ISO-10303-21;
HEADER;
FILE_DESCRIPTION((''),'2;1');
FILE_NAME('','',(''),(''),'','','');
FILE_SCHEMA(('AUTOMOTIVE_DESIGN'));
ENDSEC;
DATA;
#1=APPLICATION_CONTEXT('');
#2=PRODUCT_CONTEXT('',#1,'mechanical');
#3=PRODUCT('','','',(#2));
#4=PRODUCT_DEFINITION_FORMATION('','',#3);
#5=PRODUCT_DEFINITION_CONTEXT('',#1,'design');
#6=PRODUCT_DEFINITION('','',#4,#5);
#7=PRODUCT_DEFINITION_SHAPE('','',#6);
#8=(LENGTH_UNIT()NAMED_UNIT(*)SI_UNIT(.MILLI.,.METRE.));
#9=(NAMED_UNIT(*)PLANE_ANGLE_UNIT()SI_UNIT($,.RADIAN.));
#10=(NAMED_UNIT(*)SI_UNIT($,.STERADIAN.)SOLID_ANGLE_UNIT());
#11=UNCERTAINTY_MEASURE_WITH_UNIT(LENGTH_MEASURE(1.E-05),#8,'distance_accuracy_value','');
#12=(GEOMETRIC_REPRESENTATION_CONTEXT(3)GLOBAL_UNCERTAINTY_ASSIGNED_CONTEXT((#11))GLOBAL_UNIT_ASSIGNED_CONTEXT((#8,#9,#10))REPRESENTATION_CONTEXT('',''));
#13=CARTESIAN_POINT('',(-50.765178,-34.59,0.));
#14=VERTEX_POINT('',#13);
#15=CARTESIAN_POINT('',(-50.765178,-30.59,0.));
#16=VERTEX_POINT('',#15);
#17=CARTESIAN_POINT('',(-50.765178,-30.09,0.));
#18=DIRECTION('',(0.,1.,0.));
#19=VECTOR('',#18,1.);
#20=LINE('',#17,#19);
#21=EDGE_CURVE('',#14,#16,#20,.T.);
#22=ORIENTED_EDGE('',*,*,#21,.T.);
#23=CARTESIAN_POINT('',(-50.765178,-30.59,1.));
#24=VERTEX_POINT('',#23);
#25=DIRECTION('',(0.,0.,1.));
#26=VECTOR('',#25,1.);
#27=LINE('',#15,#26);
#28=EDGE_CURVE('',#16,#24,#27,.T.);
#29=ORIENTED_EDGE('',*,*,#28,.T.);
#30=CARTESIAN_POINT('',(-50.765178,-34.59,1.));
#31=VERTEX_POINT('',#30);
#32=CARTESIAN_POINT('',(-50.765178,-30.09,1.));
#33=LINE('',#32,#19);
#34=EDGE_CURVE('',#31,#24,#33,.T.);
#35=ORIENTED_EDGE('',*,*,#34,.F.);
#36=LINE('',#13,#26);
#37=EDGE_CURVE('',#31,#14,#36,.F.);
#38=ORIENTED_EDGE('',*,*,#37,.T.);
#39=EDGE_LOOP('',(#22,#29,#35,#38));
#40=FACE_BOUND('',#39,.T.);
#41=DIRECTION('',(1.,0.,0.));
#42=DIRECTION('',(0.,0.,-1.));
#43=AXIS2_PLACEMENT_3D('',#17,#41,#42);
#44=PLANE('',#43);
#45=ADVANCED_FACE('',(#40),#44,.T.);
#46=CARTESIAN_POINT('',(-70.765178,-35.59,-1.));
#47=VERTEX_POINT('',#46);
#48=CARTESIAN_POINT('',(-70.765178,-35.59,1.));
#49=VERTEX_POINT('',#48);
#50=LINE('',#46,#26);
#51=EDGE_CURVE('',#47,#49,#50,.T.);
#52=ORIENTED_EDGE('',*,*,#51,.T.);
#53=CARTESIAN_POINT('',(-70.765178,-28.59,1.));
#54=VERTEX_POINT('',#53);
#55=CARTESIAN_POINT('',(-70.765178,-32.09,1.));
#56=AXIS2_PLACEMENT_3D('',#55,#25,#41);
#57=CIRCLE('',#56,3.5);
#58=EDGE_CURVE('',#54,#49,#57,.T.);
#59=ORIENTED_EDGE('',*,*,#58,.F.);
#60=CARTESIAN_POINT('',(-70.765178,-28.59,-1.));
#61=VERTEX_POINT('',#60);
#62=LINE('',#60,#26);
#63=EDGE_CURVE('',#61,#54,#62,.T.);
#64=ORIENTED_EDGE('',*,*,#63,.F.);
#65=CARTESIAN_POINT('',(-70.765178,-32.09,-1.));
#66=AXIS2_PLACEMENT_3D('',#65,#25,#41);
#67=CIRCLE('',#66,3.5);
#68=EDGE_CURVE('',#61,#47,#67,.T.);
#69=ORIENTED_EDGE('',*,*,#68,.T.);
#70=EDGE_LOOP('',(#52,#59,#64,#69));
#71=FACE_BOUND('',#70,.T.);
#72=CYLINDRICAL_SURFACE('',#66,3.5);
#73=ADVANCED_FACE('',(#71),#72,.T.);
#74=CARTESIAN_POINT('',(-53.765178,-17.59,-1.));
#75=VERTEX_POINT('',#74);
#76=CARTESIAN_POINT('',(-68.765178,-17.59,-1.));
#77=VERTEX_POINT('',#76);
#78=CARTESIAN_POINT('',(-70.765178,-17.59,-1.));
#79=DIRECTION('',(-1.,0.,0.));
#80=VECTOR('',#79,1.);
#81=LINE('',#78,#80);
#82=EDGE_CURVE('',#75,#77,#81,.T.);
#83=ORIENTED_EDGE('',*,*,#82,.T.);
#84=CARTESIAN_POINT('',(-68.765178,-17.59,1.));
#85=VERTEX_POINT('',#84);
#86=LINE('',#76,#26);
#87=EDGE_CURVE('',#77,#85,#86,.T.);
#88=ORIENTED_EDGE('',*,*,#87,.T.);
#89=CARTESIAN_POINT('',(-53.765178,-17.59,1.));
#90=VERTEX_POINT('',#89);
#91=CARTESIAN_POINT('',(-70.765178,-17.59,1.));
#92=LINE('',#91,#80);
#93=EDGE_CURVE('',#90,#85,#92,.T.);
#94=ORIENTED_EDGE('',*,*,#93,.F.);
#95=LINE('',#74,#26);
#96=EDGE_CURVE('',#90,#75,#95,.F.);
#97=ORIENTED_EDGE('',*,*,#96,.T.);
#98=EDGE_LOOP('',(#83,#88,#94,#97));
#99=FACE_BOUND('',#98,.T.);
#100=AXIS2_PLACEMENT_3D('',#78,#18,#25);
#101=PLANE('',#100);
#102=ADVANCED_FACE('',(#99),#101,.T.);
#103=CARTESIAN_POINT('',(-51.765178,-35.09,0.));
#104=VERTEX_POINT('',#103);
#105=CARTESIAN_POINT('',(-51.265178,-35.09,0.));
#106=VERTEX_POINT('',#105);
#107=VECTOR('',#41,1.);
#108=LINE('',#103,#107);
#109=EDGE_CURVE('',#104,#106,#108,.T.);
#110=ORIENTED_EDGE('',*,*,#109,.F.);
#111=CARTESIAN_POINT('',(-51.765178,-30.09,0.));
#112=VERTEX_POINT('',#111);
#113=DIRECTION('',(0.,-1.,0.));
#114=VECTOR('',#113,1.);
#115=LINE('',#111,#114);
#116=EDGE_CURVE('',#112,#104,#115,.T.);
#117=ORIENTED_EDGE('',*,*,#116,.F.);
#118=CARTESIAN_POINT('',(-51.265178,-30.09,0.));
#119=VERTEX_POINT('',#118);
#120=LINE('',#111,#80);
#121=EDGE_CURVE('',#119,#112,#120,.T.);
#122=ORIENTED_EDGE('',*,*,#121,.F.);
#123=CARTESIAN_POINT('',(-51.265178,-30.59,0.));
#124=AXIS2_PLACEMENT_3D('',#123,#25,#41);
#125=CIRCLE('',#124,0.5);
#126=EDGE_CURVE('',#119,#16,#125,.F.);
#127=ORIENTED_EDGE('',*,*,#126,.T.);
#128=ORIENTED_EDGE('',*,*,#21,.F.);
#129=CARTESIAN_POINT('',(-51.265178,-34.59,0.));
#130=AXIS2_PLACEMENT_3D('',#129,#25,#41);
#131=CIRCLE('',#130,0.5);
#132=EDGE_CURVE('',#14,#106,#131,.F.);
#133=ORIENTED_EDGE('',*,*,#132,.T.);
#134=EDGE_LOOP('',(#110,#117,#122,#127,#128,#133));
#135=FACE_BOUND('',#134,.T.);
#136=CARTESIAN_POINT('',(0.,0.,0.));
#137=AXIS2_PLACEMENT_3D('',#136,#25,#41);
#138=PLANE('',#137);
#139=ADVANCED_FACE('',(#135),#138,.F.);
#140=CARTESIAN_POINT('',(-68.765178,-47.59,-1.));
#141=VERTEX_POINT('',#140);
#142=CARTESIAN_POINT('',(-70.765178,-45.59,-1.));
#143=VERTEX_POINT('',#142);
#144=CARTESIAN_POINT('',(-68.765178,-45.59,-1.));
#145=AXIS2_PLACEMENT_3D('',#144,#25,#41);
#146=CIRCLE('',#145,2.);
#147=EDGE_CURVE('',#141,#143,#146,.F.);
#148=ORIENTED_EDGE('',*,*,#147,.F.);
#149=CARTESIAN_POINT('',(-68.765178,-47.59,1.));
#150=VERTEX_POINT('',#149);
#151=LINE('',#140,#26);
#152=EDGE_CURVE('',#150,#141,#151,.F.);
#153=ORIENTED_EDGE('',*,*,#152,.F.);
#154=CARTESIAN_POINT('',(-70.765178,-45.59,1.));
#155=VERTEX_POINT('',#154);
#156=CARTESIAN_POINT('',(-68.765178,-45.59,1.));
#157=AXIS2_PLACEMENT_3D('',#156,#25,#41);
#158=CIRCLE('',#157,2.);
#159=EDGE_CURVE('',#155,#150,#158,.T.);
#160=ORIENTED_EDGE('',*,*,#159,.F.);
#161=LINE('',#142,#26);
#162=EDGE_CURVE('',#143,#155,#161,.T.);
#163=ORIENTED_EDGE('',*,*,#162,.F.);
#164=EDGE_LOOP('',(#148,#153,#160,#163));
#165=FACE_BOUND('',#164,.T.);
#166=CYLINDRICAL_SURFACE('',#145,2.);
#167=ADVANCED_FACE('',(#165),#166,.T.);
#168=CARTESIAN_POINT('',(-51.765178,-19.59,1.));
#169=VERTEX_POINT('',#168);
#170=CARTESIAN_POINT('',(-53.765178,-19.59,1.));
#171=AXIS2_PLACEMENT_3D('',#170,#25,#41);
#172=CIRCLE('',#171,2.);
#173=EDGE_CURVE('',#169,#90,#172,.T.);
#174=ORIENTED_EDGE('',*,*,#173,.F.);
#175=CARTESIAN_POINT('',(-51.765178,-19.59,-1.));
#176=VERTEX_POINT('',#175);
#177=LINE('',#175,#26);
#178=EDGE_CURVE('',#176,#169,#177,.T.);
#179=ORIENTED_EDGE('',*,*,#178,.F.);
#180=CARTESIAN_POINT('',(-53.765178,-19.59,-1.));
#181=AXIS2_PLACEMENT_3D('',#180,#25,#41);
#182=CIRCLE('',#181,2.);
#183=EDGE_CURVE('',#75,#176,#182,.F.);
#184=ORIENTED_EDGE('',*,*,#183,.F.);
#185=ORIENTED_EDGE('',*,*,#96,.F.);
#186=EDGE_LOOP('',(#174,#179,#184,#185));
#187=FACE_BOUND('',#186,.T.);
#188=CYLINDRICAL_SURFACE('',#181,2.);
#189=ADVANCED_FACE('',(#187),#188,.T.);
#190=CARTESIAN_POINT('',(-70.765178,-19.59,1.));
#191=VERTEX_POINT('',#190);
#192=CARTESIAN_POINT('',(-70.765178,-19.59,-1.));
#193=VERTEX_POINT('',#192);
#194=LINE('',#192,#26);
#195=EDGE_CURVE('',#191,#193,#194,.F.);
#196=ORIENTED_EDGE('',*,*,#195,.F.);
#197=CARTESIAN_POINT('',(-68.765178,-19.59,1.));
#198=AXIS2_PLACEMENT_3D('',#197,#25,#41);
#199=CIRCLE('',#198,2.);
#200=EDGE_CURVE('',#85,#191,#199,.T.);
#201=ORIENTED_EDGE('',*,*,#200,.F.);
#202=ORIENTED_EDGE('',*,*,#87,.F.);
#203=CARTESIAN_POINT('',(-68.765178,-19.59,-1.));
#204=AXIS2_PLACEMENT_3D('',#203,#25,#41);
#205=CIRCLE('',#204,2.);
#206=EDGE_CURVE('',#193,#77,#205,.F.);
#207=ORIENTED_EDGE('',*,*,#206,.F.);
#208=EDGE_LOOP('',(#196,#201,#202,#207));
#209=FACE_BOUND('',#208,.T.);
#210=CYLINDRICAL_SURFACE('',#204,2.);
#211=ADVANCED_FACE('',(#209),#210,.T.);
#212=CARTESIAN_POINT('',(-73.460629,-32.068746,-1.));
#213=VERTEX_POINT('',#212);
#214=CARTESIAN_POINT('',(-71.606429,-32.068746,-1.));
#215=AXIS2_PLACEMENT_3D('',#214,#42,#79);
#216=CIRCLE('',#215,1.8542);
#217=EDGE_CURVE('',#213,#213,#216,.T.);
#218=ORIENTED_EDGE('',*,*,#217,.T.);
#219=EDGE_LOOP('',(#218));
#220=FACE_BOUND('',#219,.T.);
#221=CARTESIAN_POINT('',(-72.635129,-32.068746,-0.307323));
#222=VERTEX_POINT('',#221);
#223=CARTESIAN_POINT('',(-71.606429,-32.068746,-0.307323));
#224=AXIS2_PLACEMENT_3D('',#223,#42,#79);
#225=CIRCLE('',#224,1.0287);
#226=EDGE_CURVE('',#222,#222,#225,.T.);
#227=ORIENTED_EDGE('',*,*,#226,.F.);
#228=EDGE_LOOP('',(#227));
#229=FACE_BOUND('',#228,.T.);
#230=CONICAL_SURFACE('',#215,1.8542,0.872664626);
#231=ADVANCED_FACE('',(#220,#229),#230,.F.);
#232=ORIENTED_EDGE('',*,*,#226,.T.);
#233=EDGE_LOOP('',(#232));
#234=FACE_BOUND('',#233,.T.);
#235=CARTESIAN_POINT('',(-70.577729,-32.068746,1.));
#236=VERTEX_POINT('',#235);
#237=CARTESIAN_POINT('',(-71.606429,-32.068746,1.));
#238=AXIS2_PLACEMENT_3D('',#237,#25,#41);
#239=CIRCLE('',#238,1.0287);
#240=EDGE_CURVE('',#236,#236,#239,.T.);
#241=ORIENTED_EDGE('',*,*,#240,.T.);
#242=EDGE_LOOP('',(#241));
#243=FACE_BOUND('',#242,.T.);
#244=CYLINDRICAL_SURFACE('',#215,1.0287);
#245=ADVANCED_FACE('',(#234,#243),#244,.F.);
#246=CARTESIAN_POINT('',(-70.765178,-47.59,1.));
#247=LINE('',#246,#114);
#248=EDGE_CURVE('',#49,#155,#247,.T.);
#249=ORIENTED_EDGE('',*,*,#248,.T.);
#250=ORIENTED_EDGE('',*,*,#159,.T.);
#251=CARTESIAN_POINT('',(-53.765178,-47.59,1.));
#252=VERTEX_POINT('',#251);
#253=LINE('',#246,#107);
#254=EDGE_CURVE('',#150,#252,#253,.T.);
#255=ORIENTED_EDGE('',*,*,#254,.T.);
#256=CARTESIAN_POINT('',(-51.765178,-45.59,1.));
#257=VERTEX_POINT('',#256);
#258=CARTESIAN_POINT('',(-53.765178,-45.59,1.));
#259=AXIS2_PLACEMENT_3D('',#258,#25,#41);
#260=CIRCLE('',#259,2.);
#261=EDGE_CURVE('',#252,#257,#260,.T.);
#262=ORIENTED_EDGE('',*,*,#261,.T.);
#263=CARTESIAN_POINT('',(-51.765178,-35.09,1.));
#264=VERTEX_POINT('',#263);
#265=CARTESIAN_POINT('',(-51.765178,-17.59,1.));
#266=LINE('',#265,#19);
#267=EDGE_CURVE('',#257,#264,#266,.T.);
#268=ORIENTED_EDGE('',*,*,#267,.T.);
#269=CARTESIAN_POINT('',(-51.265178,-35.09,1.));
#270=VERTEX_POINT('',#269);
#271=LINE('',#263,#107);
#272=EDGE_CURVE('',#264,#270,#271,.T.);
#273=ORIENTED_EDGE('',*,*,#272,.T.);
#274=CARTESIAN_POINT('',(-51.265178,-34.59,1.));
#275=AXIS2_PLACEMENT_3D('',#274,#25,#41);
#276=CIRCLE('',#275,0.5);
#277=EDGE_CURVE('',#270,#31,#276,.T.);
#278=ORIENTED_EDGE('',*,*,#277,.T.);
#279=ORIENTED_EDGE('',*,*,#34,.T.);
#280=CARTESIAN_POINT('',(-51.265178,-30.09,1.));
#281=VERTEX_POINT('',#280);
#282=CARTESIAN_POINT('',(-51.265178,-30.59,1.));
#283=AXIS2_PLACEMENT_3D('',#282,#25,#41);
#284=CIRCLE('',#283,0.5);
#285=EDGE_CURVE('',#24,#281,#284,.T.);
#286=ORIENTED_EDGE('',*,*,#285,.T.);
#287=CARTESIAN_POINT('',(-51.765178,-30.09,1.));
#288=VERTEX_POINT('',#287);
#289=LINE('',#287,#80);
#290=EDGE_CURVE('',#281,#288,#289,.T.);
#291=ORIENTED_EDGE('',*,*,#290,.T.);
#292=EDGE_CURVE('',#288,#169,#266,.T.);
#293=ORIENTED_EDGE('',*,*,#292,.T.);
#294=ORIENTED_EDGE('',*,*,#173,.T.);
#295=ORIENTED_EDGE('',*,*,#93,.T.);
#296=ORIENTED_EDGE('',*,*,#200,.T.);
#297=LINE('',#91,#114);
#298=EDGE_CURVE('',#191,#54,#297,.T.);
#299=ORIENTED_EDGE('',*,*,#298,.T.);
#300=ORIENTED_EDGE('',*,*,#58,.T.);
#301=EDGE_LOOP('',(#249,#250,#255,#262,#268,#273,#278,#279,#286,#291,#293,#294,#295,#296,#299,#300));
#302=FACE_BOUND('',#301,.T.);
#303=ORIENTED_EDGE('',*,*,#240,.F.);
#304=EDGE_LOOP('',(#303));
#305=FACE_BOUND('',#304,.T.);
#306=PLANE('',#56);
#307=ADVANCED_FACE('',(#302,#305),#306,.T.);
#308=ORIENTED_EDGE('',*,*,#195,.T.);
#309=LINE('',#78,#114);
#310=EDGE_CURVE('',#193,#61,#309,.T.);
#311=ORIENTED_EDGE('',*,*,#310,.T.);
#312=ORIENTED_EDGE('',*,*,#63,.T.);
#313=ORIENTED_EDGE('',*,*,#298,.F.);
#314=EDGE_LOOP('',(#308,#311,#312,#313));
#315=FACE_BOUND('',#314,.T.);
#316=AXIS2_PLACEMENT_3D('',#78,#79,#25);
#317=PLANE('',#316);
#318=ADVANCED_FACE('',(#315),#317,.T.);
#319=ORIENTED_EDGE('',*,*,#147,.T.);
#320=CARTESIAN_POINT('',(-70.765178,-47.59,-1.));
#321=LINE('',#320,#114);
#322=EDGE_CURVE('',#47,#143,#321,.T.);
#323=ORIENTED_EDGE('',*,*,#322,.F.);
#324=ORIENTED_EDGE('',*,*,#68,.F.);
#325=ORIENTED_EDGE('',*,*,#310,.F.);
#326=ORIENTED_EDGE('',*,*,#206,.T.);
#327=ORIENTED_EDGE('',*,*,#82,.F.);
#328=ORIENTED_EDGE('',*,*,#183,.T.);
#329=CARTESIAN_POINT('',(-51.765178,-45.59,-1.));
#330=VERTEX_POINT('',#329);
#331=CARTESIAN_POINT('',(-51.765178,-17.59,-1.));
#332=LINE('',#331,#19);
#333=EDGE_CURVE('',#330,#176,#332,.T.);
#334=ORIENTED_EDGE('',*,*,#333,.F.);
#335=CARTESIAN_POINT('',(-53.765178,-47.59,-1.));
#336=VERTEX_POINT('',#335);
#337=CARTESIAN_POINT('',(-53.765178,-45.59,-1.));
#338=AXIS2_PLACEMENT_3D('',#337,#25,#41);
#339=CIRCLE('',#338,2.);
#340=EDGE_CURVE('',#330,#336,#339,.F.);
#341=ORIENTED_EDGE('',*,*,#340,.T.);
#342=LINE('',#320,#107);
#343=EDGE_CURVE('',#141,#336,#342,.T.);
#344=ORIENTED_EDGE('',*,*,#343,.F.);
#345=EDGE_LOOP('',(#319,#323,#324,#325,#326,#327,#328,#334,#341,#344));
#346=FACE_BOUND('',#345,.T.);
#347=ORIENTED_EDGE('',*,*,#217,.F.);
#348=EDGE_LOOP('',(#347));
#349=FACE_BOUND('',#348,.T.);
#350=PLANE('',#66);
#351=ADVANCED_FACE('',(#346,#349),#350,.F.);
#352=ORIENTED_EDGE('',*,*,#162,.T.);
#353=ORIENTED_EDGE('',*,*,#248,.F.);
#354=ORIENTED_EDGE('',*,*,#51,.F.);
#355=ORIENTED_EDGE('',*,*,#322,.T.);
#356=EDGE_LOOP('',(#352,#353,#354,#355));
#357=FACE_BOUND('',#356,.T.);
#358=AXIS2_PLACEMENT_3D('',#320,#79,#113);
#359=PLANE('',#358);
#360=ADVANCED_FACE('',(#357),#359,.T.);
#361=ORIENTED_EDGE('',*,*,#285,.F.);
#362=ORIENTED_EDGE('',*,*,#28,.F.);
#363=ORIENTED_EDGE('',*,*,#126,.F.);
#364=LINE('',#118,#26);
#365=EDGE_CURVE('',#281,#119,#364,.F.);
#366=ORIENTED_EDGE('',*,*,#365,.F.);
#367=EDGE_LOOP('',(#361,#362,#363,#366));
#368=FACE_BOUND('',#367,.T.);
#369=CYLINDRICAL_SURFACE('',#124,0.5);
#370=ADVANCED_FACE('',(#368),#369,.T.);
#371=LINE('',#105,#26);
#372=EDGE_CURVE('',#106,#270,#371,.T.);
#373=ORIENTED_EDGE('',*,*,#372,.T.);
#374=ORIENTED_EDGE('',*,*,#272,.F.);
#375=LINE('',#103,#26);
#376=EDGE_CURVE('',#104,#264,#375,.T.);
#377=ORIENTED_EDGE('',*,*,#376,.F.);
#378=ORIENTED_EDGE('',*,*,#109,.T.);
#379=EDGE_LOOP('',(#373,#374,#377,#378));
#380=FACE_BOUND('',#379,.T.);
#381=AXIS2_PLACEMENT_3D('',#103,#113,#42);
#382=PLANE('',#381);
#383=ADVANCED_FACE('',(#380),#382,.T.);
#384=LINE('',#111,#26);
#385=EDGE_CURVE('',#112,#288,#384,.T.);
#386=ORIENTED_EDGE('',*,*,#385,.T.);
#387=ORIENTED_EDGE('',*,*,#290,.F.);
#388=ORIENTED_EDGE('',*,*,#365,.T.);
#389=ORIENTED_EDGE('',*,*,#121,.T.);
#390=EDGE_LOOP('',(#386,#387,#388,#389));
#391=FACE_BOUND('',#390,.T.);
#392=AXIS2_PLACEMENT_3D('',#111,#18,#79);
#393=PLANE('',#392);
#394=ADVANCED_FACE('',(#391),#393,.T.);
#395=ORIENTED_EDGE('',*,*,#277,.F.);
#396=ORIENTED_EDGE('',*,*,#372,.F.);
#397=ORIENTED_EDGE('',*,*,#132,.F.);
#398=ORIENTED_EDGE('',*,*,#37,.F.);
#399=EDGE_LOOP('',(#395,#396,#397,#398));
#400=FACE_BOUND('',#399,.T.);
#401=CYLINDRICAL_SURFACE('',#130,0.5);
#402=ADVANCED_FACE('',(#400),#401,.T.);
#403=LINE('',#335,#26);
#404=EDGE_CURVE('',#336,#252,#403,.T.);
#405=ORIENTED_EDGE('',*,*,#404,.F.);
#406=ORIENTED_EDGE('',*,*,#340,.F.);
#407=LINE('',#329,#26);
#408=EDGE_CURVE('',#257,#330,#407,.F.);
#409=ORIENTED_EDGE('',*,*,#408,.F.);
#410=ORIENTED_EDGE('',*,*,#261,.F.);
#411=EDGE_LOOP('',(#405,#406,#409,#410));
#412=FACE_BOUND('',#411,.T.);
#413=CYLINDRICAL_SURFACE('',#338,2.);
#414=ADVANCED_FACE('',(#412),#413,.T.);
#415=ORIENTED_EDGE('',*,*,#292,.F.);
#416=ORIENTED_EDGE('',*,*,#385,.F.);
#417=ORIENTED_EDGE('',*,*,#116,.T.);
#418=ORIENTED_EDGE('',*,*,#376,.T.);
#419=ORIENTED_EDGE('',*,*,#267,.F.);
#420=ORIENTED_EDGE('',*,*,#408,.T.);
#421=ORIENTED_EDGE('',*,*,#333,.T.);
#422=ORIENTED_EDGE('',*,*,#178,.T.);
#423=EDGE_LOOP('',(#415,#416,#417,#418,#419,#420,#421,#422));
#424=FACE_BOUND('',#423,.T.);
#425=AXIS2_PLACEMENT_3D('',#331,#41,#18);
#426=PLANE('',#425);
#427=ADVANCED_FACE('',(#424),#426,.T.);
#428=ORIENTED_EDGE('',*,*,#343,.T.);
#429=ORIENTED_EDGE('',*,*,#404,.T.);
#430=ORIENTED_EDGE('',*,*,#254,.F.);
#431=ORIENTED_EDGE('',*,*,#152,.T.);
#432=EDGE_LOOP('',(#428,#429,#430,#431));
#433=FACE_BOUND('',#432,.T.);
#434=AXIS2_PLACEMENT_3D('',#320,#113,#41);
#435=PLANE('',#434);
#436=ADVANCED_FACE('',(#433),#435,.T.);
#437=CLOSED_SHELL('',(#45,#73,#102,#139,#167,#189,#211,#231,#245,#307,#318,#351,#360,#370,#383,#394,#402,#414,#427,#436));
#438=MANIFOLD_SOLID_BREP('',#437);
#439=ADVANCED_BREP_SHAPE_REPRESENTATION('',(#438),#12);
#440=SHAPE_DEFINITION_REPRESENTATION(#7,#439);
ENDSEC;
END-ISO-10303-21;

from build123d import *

# Parameters (mm, degrees)
BOSS_EXTRUDE1_DEPTH                               = 1
BOSS_EXTRUDE1_DEPTH_BACK                          = 1
SKETCH2_W                                         = 1
SKETCH2_H                                         = 5
BOSS_EXTRUDE3_DEPTH                               = 1
FILLET1_R                                         = 2
FILLET2_R                                         = 0.5
CSK_FOR_1_FLAT_HEAD_MACHINE_SCREW_100_D           = 2.0574
CSK_FOR_1_FLAT_HEAD_MACHINE_SCREW_100_DEPTH       = 5.381894681
CSK_FOR_1_FLAT_HEAD_MACHINE_SCREW_100_CSINK_D     = 3.7084
CSK_FOR_1_FLAT_HEAD_MACHINE_SCREW_100_CSINK_ANGLE = 100
CSK_FOR_1_FLAT_HEAD_MACHINE_SCREW_100_TIP         = 0.618105319


with BuildPart() as part:
    # Sketch1 → Boss-Extrude1 (new, two sides: drawn at the far end of the back side and taken through both)
    with BuildSketch(Plane.XY.offset(-BOSS_EXTRUDE1_DEPTH_BACK)):
        with BuildLine():
            Line((-70.765177629, -17.59), (-51.765177629, -17.59))
            Line((-51.765177629, -17.59), (-51.765177629, -47.59))
            Line((-51.765177629, -47.59), (-70.765177629, -47.59))
            Line((-70.765177629, -47.59), (-70.765177629, -35.59))
            ThreePointArc((-70.765177629, -35.59), (-74.265177629, -32.09), (-70.765177629, -28.59))
            Line((-70.765177629, -28.59), (-70.765177629, -17.59))
        make_face()
    extrude(amount=BOSS_EXTRUDE1_DEPTH + BOSS_EXTRUDE1_DEPTH_BACK)

    # Sketch2 → Boss-Extrude3 (add)
    with BuildSketch(Plane.XY.offset(1)):
        with Locations((-51.265177629, -32.59)):
            Rectangle(SKETCH2_W, SKETCH2_H)
    extrude(amount=-BOSS_EXTRUDE3_DEPTH)

    # Fillet1
    fillet1_edges = [part.edges().sort_by_distance(p)[0] for p in [
        (-70.765177629, -17.59, 0),
        (-51.765177629, -17.59, 0),
        (-51.765177629, -47.59, 0),
        (-70.765177629, -47.59, 0),
    ]]
    fillet(fillet1_edges, radius=FILLET1_R)

    # Fillet2
    fillet2_edges = [part.edges().sort_by_distance(p)[0] for p in [
        (-50.765177629, -30.09, 0.5),
        (-50.765177629, -35.09, 0.5),
    ]]
    fillet(fillet2_edges, radius=FILLET2_R)

    # CSK for #1 Flat Head Machine Screw (100)1
    with Locations(Plane(origin=(-71.606429364, -32.068746038, -1), x_dir=(-1, 0, 0), z_dir=(0, 0, -1))):
        with Locations((0, 0)):
            CounterSinkHole(CSK_FOR_1_FLAT_HEAD_MACHINE_SCREW_100_D / 2, CSK_FOR_1_FLAT_HEAD_MACHINE_SCREW_100_CSINK_D / 2, depth=CSK_FOR_1_FLAT_HEAD_MACHINE_SCREW_100_DEPTH, counter_sink_angle=CSK_FOR_1_FLAT_HEAD_MACHINE_SCREW_100_CSINK_ANGLE)
            with Locations((0, 0, -(CSK_FOR_1_FLAT_HEAD_MACHINE_SCREW_100_DEPTH + CSK_FOR_1_FLAT_HEAD_MACHINE_SCREW_100_TIP / 2))):  # 118° drill point
                Cone(0, CSK_FOR_1_FLAT_HEAD_MACHINE_SCREW_100_D / 2, CSK_FOR_1_FLAT_HEAD_MACHINE_SCREW_100_TIP, mode=Mode.SUBTRACT)


solid = part.part
